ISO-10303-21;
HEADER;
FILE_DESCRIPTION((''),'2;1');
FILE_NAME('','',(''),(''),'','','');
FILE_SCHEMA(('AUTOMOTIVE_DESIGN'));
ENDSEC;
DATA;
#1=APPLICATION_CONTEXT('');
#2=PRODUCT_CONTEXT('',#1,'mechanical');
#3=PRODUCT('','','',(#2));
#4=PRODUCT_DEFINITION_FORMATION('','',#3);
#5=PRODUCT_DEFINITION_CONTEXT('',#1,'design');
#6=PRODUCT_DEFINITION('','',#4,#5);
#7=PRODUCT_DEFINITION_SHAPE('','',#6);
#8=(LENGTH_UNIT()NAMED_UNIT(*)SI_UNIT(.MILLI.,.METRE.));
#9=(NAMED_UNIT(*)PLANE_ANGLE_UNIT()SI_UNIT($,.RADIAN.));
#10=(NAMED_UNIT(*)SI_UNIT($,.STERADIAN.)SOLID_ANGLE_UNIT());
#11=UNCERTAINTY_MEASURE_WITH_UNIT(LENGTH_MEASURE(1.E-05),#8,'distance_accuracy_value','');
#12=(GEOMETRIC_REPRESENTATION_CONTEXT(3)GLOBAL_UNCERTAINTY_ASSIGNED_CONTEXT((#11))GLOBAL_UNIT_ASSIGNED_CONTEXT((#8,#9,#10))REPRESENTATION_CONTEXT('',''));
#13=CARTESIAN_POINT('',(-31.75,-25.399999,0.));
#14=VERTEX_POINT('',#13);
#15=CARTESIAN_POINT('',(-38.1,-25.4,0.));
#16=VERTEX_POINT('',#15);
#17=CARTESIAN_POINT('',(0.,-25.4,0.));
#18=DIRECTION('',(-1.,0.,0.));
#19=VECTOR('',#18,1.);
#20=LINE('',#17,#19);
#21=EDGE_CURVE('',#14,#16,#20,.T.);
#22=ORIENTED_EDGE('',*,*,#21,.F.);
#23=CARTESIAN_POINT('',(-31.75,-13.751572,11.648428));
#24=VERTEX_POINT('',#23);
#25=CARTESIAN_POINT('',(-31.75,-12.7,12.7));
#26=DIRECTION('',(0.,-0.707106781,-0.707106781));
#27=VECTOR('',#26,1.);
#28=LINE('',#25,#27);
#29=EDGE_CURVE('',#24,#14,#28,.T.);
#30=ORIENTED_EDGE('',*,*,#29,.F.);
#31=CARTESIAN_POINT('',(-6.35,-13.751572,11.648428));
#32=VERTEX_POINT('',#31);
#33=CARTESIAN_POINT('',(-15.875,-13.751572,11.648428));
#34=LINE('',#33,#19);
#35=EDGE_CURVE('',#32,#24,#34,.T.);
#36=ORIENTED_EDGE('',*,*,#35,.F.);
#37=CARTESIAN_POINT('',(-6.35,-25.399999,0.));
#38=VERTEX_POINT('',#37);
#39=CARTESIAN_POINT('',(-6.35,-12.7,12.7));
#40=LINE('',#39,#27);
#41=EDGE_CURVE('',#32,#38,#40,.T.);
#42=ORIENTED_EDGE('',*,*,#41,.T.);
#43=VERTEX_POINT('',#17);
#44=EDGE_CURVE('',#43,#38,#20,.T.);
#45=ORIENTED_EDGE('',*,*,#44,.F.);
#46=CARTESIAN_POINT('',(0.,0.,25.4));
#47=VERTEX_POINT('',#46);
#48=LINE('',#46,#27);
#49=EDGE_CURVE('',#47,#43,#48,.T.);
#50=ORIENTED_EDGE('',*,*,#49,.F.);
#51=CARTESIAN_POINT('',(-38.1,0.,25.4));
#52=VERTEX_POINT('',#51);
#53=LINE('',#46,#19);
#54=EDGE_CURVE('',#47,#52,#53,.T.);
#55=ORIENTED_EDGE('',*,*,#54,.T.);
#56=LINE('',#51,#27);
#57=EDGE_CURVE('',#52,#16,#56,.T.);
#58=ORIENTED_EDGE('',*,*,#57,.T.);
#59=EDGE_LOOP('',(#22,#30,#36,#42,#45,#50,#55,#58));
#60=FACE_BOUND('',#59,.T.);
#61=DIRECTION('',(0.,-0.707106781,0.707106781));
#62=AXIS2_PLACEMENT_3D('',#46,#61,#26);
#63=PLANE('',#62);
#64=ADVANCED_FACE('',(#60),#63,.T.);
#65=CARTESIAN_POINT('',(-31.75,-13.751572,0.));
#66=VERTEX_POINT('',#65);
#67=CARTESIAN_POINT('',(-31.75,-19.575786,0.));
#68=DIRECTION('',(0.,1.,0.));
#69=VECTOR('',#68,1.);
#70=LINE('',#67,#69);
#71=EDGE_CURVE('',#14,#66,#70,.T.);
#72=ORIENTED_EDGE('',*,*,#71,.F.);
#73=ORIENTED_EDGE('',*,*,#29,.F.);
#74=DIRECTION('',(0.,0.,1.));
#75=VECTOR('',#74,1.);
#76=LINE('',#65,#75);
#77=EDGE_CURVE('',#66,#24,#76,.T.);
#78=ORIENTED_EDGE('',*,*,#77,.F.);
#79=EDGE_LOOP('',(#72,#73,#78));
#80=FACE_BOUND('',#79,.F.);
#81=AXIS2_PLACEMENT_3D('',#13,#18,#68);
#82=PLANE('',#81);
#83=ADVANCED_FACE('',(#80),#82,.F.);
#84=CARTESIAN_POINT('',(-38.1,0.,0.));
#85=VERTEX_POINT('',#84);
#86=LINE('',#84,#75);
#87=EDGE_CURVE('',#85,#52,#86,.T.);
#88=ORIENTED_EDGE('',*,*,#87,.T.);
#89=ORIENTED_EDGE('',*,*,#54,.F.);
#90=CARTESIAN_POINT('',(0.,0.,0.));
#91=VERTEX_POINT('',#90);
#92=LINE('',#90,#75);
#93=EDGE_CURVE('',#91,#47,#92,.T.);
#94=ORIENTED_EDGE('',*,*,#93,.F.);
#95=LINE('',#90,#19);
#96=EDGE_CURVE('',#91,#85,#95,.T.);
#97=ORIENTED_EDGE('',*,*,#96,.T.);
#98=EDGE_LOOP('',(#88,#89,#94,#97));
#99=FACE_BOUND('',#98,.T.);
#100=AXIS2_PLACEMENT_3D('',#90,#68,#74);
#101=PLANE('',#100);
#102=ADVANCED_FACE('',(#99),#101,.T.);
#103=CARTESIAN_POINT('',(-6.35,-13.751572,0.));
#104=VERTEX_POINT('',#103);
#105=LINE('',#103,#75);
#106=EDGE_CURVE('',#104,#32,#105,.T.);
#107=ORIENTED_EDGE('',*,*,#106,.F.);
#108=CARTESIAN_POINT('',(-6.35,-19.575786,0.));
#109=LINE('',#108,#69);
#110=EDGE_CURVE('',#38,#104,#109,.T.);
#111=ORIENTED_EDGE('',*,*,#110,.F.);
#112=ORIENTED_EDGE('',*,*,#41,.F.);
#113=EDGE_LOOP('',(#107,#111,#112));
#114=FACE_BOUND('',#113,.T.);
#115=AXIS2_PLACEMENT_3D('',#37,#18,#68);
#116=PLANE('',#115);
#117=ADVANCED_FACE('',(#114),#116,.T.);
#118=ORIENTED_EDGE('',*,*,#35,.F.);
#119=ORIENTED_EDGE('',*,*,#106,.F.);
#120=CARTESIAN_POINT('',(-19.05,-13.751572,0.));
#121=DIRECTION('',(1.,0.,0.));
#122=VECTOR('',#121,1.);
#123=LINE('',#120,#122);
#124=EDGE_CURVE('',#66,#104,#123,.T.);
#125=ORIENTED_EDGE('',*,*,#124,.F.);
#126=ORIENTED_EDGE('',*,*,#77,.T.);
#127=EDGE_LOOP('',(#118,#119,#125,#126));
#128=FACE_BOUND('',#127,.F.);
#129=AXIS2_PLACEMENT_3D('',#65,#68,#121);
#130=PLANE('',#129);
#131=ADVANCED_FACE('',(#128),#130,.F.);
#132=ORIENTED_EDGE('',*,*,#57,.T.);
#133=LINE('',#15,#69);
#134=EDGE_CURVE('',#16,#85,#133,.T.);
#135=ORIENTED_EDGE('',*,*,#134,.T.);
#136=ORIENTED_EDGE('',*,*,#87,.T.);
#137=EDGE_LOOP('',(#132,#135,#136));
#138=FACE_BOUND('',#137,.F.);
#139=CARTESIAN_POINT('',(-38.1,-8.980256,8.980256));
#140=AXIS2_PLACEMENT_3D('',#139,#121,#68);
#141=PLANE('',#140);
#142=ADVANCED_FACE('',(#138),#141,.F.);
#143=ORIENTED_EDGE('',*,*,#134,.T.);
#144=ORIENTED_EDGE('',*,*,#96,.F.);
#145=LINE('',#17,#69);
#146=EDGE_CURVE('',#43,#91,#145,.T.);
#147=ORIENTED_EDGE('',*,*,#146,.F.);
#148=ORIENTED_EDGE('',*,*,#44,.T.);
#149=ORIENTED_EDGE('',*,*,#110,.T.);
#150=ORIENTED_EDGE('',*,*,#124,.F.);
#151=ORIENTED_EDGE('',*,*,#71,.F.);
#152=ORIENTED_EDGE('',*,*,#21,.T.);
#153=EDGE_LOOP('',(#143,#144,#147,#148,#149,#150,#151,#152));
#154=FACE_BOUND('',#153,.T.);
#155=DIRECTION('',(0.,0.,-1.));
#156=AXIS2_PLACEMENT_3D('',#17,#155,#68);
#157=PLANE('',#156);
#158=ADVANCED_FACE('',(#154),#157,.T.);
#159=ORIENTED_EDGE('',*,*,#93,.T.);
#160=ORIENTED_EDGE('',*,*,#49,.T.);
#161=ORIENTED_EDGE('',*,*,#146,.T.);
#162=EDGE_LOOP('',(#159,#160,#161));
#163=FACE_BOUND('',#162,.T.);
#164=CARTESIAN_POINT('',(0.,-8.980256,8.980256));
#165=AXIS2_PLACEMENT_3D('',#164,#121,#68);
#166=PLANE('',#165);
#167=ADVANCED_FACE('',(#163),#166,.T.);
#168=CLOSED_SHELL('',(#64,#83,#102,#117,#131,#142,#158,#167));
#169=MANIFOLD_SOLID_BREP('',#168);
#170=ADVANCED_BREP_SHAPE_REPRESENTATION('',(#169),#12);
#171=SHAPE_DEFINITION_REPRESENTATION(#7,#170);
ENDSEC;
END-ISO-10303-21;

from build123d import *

# Parameters (mm, degrees)
F1_DEPTH = 38.1
F2_W     = 25.4
F2_H     = 11.648427
F3_DEPTH = 25.4


with BuildPart() as f1:
    # F0 (on Right) → F1 (new body)
    with BuildSketch(Plane.YZ):
        Polygon((-25.4, 0), (0, 0), (0, 25.4), align=None)
    extrude(amount=-F1_DEPTH)

    # F2 (on Top) → F3 (cut)
    with BuildSketch(Plane.XY):
        with Locations((-19.05, -19.575786)):
            Rectangle(F2_W, F2_H)
    extrude(amount=F3_DEPTH, mode=Mode.SUBTRACT)


solid = f1.part
